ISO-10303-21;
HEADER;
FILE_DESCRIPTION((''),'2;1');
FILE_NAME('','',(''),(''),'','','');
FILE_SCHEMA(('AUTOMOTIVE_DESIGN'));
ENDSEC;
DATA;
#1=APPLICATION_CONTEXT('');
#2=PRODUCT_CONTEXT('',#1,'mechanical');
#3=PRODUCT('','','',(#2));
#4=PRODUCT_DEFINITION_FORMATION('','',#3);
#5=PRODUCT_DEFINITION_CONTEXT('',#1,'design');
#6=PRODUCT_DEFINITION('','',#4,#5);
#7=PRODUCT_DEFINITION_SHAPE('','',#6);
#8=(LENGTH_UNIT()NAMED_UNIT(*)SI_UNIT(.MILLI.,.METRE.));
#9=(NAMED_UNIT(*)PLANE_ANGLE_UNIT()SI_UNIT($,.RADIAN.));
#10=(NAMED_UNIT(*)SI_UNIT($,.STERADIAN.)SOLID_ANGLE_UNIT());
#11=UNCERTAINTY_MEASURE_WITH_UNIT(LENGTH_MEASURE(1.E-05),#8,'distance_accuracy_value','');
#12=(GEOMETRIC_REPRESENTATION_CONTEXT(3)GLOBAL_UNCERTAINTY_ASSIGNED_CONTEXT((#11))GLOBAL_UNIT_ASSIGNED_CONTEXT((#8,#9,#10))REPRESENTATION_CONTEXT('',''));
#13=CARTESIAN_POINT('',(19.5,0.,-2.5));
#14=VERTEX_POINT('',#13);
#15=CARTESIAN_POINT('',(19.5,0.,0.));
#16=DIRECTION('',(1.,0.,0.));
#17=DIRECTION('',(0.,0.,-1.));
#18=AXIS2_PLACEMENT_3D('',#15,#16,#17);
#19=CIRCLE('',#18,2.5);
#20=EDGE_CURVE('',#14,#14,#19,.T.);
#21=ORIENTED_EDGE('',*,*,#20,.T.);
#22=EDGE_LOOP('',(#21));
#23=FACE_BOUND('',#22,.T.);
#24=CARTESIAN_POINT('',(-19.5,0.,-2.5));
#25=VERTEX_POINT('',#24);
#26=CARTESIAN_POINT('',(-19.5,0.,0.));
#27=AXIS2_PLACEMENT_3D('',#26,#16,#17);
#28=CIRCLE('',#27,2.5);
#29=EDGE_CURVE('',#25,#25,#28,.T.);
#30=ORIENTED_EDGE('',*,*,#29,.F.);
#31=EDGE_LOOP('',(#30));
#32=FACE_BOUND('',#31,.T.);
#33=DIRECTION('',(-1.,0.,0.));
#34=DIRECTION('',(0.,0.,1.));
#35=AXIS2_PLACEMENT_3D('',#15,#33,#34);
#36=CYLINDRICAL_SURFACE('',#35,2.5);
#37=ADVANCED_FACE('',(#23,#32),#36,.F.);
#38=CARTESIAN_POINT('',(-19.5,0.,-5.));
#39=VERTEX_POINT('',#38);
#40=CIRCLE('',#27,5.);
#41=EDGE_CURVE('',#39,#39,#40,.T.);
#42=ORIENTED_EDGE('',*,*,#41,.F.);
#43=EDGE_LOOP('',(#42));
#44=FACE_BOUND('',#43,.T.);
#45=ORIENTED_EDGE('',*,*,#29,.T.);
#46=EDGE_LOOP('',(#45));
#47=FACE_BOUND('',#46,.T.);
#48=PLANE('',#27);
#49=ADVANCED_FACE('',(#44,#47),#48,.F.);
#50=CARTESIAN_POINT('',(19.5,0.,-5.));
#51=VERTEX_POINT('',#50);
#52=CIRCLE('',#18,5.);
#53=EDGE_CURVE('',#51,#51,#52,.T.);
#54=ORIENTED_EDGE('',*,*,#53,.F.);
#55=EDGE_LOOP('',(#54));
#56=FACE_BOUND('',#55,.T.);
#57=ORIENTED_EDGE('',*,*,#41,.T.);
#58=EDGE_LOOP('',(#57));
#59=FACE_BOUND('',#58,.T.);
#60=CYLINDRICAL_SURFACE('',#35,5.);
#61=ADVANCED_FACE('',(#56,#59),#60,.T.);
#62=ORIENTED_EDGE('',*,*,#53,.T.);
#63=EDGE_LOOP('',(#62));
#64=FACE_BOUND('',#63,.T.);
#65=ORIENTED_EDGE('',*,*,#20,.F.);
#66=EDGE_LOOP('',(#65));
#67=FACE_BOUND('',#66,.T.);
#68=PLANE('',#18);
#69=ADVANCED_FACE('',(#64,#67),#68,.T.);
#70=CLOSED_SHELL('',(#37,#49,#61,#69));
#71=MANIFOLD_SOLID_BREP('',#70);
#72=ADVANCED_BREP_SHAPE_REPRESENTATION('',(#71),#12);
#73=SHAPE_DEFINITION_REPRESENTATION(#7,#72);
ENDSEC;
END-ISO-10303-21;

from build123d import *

# Parameters (mm, degrees)
CROQUIS1_R              = 5
CROQUIS1_R_2            = 2.5
SALIENTE_EXTRUIR1_DEPTH = 19.5


with BuildPart() as part:
    # Croquis1 → Saliente-Extruir1 (new, symmetric)
    with BuildSketch(Plane(origin=(0, 0, 0), x_dir=(0, 0, -1), z_dir=(1, 0, 0))):
        Circle(CROQUIS1_R)
        Circle(CROQUIS1_R_2, mode=Mode.SUBTRACT)
    extrude(amount=SALIENTE_EXTRUIR1_DEPTH, both=True)


solid = part.part
